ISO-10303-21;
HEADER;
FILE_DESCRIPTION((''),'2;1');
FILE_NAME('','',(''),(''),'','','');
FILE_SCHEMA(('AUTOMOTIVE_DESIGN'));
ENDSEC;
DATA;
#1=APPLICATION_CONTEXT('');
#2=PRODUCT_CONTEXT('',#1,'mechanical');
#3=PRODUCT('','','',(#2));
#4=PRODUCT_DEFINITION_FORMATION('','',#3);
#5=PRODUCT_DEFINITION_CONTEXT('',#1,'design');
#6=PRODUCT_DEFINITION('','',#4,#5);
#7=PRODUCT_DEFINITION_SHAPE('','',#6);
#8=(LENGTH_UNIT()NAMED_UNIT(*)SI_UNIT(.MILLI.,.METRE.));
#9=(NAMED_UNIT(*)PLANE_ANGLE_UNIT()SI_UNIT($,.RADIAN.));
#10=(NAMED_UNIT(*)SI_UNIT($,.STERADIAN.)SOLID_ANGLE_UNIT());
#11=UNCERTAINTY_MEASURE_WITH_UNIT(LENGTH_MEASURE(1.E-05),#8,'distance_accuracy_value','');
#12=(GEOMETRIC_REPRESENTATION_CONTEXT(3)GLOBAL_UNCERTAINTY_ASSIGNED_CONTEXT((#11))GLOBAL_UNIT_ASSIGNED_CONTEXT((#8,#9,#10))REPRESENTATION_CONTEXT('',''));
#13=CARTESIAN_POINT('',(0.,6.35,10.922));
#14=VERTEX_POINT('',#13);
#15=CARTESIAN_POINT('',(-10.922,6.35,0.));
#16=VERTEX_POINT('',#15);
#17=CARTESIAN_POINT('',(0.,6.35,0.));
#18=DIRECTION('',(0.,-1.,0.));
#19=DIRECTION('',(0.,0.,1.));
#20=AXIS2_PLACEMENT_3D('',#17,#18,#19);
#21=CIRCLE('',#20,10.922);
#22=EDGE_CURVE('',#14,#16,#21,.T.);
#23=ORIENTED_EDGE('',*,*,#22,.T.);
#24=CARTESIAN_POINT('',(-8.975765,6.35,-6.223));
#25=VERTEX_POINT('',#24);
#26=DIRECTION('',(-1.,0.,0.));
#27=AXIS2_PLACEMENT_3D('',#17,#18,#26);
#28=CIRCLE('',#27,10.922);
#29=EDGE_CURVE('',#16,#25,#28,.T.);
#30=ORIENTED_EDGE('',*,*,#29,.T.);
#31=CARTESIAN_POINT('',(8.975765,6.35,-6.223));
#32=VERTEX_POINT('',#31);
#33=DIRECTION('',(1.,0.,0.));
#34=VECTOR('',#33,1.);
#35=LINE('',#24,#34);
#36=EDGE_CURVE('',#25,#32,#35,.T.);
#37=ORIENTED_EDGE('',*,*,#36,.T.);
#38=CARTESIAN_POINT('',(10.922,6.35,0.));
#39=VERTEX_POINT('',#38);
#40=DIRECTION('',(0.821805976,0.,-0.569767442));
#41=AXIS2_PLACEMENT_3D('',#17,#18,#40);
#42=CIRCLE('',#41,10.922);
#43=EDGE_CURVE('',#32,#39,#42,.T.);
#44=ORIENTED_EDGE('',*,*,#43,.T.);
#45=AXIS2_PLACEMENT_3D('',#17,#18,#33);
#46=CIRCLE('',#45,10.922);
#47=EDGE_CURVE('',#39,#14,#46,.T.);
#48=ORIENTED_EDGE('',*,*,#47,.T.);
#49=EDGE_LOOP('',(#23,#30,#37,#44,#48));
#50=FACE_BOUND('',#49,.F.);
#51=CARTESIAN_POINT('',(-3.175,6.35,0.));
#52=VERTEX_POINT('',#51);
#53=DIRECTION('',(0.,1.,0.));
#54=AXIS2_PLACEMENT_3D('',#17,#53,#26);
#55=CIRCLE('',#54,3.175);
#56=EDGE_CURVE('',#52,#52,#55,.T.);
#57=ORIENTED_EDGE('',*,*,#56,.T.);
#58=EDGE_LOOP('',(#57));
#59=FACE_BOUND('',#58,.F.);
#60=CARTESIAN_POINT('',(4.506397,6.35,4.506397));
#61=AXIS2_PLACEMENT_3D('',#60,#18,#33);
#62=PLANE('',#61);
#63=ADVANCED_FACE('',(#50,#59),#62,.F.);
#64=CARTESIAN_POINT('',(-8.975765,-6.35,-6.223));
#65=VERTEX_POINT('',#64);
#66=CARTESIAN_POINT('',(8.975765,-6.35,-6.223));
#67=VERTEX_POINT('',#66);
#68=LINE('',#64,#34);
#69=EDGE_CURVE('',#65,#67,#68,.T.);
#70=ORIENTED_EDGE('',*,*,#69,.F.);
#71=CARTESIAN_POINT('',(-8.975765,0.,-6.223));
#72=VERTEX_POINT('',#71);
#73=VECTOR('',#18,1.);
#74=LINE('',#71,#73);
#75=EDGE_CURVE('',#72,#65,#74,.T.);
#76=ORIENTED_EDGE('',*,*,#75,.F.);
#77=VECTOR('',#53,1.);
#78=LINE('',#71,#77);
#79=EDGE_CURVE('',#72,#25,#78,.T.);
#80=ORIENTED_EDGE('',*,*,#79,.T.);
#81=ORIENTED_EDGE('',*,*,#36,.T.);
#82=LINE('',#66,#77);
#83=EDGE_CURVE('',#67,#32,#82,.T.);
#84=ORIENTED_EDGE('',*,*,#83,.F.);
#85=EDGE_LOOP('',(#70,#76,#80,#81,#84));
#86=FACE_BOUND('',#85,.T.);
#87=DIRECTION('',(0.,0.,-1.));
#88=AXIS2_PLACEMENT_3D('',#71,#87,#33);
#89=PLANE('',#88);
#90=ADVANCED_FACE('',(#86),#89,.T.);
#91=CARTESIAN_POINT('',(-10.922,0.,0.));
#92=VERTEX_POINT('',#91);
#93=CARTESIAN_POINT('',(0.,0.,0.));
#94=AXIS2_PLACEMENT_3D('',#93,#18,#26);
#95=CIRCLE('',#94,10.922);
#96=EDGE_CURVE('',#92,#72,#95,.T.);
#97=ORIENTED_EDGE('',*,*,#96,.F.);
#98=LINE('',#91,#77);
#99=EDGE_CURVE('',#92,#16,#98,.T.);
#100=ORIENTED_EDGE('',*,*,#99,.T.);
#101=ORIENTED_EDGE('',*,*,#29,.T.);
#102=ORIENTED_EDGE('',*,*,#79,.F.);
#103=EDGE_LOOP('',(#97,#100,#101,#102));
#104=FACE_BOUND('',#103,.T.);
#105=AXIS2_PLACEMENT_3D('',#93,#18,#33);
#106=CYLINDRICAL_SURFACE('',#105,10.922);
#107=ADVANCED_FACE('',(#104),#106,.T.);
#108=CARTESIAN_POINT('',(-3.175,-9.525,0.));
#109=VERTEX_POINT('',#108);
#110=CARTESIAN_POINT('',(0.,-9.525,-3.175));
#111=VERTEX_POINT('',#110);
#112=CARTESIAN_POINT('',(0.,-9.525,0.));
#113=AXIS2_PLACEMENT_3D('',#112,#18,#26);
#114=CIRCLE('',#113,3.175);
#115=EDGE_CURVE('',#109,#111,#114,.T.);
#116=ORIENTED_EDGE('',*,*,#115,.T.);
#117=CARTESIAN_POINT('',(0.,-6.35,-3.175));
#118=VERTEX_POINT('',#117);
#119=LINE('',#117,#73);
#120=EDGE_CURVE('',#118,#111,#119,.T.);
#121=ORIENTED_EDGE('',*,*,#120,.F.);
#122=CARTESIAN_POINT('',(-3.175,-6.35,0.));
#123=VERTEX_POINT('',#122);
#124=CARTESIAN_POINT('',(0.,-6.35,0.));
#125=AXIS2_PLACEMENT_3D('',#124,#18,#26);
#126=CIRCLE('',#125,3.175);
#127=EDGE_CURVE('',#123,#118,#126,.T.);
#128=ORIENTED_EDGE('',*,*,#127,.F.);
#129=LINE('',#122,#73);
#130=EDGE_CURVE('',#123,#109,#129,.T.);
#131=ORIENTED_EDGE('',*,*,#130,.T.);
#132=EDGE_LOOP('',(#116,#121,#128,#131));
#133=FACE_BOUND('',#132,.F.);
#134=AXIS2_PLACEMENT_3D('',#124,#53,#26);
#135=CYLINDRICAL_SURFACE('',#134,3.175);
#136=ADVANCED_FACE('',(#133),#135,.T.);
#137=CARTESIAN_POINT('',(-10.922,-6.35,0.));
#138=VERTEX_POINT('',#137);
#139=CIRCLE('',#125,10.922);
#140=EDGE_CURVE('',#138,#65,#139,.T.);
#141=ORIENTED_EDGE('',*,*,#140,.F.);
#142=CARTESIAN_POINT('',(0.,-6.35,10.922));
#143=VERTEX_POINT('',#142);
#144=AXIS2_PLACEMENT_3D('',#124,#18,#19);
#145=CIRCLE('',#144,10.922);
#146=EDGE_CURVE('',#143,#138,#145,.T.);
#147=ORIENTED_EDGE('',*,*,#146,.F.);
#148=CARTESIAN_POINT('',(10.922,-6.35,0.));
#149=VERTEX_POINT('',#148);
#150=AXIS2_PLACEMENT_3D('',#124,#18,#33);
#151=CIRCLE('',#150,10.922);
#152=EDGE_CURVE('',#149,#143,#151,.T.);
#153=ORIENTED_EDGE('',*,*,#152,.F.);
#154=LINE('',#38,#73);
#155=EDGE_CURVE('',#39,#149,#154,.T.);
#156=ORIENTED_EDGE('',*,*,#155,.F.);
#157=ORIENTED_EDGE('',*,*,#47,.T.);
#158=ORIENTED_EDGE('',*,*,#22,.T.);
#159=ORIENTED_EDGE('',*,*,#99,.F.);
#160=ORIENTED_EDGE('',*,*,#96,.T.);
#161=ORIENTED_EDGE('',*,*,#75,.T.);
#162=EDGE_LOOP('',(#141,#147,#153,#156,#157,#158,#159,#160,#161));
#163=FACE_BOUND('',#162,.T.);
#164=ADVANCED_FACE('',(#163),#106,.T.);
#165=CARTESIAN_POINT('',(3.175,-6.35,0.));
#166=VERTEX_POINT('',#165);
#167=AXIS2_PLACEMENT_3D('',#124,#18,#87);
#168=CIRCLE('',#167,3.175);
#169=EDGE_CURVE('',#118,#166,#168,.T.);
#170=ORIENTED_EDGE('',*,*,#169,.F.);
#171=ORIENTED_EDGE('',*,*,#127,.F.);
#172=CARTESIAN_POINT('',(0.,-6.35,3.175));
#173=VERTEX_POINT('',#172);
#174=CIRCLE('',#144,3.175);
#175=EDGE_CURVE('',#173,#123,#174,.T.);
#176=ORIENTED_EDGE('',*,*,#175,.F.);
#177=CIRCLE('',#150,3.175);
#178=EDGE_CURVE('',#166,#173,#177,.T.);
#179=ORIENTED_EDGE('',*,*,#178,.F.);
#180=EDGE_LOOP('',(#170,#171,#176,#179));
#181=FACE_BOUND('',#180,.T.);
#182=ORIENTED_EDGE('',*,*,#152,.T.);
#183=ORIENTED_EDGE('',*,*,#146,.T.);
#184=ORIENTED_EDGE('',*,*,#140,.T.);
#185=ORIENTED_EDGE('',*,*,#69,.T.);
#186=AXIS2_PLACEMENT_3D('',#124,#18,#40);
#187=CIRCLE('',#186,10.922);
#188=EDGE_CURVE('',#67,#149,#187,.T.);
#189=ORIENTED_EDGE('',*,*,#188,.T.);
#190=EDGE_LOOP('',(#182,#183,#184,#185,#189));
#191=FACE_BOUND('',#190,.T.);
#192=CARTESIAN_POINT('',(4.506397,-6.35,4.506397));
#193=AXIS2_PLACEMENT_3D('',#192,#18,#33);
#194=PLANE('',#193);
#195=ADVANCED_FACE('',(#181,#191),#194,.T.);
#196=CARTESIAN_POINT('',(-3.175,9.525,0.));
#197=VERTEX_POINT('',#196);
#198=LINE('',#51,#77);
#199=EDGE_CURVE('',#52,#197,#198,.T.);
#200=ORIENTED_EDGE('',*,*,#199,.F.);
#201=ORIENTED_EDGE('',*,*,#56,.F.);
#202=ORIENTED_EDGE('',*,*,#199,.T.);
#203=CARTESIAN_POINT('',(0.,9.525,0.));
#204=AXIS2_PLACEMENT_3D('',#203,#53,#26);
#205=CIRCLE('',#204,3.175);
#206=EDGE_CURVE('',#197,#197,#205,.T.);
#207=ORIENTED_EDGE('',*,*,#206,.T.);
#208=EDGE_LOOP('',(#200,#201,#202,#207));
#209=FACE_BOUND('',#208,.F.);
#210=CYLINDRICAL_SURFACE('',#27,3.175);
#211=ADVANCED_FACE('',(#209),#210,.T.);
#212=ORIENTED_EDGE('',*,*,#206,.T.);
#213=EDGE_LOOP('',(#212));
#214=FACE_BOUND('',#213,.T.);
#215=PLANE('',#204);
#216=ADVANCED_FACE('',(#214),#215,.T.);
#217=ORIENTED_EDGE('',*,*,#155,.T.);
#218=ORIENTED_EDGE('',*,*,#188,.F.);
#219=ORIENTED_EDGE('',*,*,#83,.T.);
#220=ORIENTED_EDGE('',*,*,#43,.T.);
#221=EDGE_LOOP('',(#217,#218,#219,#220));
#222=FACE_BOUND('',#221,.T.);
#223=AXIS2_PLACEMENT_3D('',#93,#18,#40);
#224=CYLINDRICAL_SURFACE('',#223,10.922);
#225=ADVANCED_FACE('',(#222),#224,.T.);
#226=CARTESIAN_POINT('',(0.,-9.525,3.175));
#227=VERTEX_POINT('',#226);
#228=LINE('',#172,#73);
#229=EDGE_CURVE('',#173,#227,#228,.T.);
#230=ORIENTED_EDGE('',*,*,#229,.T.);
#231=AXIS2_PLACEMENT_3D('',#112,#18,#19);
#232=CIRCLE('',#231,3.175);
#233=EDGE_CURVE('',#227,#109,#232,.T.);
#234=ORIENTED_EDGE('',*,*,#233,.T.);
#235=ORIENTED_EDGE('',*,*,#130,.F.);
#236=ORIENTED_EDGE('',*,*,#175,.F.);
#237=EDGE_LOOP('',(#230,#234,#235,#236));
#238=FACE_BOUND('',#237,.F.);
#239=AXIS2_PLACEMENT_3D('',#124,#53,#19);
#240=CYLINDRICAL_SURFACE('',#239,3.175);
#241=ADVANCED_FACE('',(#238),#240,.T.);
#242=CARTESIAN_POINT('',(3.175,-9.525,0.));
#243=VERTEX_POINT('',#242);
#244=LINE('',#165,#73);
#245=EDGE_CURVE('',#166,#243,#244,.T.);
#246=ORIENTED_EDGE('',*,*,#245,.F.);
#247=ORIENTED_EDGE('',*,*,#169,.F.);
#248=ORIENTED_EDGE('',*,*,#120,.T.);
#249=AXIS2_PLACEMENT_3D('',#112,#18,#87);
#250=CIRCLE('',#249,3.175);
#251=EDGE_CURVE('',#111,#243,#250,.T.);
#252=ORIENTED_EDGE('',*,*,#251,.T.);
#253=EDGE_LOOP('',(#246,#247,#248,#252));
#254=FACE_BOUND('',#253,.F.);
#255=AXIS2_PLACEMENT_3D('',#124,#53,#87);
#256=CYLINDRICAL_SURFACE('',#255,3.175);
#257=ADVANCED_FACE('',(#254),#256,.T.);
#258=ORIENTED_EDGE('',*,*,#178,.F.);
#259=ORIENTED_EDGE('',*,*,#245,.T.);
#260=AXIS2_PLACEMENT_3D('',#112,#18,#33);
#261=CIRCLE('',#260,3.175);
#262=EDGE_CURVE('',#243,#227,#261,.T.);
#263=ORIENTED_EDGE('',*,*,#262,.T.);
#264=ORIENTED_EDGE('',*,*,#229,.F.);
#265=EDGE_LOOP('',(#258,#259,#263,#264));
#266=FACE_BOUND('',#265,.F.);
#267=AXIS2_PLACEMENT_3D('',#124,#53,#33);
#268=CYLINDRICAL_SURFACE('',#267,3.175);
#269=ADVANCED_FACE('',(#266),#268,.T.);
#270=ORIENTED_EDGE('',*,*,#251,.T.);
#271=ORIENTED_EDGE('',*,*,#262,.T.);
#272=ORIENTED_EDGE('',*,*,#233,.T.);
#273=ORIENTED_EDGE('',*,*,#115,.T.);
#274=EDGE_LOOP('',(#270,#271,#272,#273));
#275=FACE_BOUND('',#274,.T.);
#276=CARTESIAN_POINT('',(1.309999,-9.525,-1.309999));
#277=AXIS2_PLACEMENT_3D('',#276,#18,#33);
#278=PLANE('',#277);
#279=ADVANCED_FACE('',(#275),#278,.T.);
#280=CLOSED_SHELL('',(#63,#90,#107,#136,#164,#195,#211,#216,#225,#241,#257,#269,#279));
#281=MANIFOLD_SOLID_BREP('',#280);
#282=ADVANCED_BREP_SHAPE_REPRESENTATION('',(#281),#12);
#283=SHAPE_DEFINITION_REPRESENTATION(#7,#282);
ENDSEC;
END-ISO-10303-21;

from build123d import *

# Parameters (mm, degrees)
F1_DEPTH = 6.35
F3_DEPTH = 3.175
F4_R     = 3.175
F5_DEPTH = 3.175


with BuildPart() as f1:
    # F0 (on Front) → F1 (new body, symmetric)
    with BuildSketch(Plane.XZ):
        with BuildLine():
            Line((0, 10.922), (0, 0))
            Line((0, 0), (10.922, 0))
            ThreePointArc((10.922, 0), (7.7230202641, 7.7230202641), (0, 10.922))
        make_face()
        with BuildLine():
            Line((10.922, 0), (0, 0))
            Line((0, 0), (0, -6.223))
            Line((0, -6.223), (8.9757648699, -6.223))
            ThreePointArc((8.9757648699, -6.223), (10.4240919966, -3.2601211704), (10.922, 0))
        make_face()
        with BuildLine():
            ThreePointArc((0, 10.922), (-7.7230202641, 7.7230202641), (-10.922, 0))
            Line((-10.922, 0), (0, 0))
            Line((0, 0), (0, 10.922))
        make_face()
        with BuildLine():
            Line((0, 0), (-10.922, 0))
            ThreePointArc((-10.922, 0), (-10.4240919966, -3.2601211704), (-8.9757648699, -6.223))
            Line((-8.9757648699, -6.223), (0, -6.223))
            Line((0, -6.223), (0, 0))
        make_face()
    extrude(amount=F1_DEPTH, both=True)

    # F2 (on face) → F3 (join)
    with BuildSketch(Plane.XZ.offset(6.35)):
        with BuildLine():
            Line((3.175, 0), (0, 0))
            Line((0, 0), (0, -3.175))
            ThreePointArc((0, -3.175), (2.2450640303, -2.2450640303), (3.175, 0))
        make_face()
        with BuildLine():
            Line((0, 3.175), (0, 0))
            Line((0, 0), (3.175, 0))
            ThreePointArc((3.175, 0), (2.2450640303, 2.2450640303), (0, 3.175))
        make_face()
        with BuildLine():
            ThreePointArc((0, 3.175), (-2.2450640303, 2.2450640303), (-3.175, 0))
            Line((-3.175, 0), (0, 0))
            Line((0, 0), (0, 3.175))
        make_face()
        with BuildLine():
            Line((0, 0), (-3.175, 0))
            ThreePointArc((-3.175, 0), (-2.2450640303, -2.2450640303), (0, -3.175))
            Line((0, -3.175), (0, 0))
        make_face()
    extrude(amount=F3_DEPTH)

    # F4 (on face) → F5 (join)
    with BuildSketch(Plane(origin=(0, 6.35, 0), x_dir=(-1, 0, 0), z_dir=(0, 1, 0))):
        Circle(F4_R)
    extrude(amount=F5_DEPTH)


solid = f1.part
